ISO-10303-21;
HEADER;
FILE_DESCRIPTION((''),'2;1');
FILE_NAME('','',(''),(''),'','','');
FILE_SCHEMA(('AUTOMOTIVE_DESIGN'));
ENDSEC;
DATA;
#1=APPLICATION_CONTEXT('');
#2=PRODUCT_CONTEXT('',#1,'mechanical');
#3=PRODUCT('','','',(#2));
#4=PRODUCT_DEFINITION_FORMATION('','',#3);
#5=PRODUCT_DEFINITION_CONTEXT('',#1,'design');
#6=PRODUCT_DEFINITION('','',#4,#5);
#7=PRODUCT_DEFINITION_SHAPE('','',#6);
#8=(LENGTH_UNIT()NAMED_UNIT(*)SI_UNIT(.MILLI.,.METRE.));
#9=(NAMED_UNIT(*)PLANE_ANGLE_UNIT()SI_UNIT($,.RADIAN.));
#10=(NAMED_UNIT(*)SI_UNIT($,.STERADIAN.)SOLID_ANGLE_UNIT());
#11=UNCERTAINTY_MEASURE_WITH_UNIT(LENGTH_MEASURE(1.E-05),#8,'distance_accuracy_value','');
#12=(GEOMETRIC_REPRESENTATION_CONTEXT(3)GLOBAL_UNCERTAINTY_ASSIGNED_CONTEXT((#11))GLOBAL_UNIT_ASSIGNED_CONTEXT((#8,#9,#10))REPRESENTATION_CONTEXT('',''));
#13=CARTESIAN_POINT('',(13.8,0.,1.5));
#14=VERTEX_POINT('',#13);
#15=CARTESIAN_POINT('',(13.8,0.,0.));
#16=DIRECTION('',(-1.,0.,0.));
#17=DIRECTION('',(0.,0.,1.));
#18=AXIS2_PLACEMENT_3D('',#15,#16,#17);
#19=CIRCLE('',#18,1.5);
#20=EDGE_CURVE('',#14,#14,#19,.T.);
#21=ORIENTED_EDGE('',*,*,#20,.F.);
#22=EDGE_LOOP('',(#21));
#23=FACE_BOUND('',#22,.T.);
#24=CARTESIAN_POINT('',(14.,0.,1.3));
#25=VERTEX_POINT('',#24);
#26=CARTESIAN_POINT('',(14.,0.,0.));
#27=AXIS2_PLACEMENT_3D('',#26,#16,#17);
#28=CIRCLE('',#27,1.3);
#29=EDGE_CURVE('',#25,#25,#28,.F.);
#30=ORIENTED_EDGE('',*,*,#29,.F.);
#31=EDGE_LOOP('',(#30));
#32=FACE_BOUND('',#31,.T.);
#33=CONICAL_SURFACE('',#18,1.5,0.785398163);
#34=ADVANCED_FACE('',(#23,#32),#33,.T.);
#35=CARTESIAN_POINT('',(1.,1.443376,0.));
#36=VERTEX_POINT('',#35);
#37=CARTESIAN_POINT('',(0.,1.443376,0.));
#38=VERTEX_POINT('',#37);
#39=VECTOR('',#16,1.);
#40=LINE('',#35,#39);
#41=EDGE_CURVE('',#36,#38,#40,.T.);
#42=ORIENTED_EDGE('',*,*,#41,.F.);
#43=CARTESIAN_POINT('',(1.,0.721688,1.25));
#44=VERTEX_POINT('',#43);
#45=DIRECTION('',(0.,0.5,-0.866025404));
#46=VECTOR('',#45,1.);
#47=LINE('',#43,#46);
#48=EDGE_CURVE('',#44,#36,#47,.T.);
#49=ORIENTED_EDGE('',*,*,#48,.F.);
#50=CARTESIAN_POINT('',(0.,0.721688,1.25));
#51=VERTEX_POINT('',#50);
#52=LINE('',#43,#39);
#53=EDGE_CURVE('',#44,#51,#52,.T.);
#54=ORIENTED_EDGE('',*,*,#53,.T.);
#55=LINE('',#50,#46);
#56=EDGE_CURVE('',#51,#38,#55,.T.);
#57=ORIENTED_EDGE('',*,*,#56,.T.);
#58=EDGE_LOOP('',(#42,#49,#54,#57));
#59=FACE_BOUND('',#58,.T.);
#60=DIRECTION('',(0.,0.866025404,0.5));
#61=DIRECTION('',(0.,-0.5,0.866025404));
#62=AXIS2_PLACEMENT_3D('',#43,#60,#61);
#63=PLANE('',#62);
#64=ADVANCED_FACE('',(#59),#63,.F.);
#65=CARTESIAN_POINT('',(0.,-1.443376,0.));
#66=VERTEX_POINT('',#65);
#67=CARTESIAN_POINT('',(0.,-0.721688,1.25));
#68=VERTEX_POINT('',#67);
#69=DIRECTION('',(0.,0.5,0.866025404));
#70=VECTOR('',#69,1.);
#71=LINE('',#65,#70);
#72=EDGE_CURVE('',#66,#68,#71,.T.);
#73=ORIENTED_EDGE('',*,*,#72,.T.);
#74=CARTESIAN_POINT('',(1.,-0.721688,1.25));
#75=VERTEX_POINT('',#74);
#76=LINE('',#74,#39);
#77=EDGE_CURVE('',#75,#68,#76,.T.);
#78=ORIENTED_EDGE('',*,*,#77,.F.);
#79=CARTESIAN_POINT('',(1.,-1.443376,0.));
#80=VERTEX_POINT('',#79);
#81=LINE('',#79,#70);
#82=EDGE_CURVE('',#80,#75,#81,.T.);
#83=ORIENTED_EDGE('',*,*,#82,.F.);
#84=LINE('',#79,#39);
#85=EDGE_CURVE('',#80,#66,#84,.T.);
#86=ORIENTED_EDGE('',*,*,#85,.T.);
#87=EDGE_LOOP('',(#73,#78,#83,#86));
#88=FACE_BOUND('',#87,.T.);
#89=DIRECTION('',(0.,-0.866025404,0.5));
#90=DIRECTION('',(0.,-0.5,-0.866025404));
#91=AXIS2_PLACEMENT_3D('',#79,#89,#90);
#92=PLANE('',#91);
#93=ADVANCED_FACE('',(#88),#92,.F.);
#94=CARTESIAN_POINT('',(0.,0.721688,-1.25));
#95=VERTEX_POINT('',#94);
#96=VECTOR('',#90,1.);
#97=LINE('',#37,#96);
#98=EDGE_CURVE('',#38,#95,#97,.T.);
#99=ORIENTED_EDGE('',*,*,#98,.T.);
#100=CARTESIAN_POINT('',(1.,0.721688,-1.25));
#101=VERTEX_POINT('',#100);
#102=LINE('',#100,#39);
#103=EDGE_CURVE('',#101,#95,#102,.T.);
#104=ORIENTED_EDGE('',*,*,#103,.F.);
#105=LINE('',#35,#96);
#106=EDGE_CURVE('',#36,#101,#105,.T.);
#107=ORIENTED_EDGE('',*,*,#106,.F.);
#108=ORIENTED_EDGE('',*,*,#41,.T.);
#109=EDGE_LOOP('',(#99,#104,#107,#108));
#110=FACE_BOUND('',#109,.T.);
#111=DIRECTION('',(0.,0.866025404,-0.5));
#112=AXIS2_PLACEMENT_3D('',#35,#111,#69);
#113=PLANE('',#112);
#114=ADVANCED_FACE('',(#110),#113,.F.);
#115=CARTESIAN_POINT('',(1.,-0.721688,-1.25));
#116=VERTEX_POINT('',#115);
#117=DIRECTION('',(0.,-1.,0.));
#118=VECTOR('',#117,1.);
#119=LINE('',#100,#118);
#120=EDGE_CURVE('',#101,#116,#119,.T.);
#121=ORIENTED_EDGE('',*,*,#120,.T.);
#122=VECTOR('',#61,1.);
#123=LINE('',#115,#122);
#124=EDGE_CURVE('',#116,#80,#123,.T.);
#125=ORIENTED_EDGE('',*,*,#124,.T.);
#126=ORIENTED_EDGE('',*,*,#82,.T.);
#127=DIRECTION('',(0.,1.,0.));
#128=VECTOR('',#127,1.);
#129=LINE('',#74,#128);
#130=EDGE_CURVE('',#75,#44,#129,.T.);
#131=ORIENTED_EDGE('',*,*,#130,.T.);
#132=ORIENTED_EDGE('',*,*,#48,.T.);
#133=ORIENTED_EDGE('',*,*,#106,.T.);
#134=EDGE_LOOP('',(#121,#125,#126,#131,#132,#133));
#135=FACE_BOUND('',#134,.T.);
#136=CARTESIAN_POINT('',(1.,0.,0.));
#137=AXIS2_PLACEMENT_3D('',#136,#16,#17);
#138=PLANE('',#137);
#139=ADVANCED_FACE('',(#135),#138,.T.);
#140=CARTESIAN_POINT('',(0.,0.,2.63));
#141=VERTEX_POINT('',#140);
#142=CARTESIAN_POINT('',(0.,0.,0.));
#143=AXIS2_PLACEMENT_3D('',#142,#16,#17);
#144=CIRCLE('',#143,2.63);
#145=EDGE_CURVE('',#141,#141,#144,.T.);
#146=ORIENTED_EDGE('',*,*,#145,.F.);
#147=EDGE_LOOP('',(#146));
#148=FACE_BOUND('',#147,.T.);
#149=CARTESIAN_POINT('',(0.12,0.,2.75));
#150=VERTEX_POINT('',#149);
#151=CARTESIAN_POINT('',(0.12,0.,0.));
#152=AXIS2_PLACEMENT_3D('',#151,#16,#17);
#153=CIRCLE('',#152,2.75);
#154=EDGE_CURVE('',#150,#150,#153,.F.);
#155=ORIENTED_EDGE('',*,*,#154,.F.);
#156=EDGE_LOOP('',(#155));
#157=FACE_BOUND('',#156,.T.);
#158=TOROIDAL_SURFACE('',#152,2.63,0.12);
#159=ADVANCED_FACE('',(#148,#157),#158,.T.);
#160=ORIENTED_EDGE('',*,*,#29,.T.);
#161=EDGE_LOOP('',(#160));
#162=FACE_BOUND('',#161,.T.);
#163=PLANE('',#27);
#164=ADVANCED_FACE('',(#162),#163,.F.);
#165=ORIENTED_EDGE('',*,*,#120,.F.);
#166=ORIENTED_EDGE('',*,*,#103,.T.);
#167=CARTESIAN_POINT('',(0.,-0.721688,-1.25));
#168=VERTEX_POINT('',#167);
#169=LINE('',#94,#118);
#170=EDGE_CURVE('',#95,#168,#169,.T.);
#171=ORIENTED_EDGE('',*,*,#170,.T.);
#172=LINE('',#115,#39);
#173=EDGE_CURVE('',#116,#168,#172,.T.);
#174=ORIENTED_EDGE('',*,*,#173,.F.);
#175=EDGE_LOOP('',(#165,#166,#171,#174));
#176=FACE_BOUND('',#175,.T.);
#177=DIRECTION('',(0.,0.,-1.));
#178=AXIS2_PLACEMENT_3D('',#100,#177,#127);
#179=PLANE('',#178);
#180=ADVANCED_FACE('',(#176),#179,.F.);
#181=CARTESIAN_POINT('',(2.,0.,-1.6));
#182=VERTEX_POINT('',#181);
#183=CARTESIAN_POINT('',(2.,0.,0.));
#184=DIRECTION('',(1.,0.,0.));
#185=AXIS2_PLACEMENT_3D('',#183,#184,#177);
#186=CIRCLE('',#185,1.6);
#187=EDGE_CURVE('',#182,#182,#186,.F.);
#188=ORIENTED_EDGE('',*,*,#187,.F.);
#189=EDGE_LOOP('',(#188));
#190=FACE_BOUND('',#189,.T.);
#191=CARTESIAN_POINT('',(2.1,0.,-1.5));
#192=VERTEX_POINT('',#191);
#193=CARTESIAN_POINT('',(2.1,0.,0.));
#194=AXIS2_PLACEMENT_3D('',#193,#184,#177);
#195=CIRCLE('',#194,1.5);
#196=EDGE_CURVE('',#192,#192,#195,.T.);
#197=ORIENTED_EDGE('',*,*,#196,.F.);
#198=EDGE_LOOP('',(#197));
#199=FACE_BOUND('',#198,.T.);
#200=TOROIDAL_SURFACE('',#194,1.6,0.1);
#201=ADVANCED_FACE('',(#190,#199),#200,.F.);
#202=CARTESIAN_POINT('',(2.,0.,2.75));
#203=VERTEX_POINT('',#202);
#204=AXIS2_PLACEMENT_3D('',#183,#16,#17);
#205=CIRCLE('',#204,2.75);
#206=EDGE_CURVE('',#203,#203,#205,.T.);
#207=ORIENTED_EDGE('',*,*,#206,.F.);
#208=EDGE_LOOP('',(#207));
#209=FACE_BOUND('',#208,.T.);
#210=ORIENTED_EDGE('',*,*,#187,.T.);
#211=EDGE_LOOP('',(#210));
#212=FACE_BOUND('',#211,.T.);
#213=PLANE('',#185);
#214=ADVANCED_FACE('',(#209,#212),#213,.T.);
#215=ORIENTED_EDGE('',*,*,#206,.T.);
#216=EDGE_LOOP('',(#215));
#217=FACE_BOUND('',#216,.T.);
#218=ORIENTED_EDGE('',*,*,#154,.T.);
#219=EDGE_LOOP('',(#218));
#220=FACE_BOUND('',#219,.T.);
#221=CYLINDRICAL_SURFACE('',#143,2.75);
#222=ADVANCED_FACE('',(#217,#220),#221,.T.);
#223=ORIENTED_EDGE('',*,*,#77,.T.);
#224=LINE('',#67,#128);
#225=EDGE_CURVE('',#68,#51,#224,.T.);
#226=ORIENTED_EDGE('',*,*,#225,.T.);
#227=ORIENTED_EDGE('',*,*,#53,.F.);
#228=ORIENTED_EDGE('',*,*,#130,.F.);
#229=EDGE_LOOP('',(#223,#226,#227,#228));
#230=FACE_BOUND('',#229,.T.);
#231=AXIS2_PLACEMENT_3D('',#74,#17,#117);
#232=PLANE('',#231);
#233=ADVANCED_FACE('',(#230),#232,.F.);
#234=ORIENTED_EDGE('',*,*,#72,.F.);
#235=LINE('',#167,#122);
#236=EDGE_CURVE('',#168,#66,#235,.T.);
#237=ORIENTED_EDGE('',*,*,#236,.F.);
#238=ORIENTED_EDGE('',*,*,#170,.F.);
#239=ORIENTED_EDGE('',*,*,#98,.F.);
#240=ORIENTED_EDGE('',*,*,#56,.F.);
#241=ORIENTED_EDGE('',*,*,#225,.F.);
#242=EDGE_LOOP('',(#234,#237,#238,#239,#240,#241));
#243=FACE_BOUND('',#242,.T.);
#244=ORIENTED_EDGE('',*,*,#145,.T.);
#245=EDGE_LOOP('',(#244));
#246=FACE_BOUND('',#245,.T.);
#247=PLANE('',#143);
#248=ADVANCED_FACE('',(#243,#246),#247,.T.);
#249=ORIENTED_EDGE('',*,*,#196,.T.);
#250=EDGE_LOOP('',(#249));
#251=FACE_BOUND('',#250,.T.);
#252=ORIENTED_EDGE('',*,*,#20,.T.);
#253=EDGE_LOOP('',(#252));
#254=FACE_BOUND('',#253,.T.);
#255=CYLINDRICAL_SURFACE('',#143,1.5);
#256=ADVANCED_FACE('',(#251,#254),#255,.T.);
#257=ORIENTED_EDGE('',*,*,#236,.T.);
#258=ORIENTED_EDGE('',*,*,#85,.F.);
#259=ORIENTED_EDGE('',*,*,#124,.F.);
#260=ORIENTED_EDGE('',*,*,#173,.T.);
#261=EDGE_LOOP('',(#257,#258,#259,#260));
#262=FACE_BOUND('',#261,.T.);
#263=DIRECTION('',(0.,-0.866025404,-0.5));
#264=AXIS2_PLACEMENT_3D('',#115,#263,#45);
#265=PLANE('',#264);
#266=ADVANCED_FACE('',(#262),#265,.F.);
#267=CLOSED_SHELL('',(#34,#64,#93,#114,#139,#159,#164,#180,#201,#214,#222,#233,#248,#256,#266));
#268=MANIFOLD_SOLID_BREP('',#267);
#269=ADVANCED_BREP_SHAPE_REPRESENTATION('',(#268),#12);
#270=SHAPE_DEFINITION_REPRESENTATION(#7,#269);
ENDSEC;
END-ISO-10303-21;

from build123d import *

# Parameters (mm, degrees)
FILLET1_R      = 0.1
FILLET2_R      = 0.12
CHAMFER1_SIZE  = 0.2
EXTRUDE1_DEPTH = 1


with BuildPart() as part:
    # Sketch1 → Revolve1 (revolve)
    with BuildSketch(Plane.XY, mode=Mode.PRIVATE) as revolve1_sk:
        Polygon((2, 1.5), (2, 0), (4.279914881, 0), (14, 0), (14, 1.5), align=None)
        Polygon((0, 2.75), (0, 0), (2, 0), (2, 1.5), (2, 2.75), align=None)
    revolve(revolve1_sk.sketch.rotate(Axis((0, 0, 0), (1, 0, 0)), 90), axis=Axis((0, 0, 0), (1, 0, 0)))

    # Fillet1
    fillet1_edges = [part.edges().sort_by_distance(p)[0] for p in [
        (2, 0, -1.5),
    ]]
    fillet(fillet1_edges, radius=FILLET1_R)

    # Fillet2
    fillet2_edges = [part.edges().sort_by_distance(p)[0] for p in [
        (0, 0, -2.75),
    ]]
    fillet(fillet2_edges, radius=FILLET2_R)

    # Chamfer1
    chamfer1_edges = [part.edges().sort_by_distance(p)[0] for p in [
        (14, 0, -1.5),
    ]]
    chamfer(chamfer1_edges, length=CHAMFER1_SIZE)

    # Sketch2 → Extrude1 (cut)
    with BuildSketch(Plane.ZY):
        Polygon((0, 1.443375673), (-1.25, 0.721687836), (-1.25, -0.721687836), (0, -1.443375673), (1.25, -0.721687836), (1.25, 0.721687836), align=None)
    extrude(amount=-EXTRUDE1_DEPTH, mode=Mode.SUBTRACT)


solid = part.part
